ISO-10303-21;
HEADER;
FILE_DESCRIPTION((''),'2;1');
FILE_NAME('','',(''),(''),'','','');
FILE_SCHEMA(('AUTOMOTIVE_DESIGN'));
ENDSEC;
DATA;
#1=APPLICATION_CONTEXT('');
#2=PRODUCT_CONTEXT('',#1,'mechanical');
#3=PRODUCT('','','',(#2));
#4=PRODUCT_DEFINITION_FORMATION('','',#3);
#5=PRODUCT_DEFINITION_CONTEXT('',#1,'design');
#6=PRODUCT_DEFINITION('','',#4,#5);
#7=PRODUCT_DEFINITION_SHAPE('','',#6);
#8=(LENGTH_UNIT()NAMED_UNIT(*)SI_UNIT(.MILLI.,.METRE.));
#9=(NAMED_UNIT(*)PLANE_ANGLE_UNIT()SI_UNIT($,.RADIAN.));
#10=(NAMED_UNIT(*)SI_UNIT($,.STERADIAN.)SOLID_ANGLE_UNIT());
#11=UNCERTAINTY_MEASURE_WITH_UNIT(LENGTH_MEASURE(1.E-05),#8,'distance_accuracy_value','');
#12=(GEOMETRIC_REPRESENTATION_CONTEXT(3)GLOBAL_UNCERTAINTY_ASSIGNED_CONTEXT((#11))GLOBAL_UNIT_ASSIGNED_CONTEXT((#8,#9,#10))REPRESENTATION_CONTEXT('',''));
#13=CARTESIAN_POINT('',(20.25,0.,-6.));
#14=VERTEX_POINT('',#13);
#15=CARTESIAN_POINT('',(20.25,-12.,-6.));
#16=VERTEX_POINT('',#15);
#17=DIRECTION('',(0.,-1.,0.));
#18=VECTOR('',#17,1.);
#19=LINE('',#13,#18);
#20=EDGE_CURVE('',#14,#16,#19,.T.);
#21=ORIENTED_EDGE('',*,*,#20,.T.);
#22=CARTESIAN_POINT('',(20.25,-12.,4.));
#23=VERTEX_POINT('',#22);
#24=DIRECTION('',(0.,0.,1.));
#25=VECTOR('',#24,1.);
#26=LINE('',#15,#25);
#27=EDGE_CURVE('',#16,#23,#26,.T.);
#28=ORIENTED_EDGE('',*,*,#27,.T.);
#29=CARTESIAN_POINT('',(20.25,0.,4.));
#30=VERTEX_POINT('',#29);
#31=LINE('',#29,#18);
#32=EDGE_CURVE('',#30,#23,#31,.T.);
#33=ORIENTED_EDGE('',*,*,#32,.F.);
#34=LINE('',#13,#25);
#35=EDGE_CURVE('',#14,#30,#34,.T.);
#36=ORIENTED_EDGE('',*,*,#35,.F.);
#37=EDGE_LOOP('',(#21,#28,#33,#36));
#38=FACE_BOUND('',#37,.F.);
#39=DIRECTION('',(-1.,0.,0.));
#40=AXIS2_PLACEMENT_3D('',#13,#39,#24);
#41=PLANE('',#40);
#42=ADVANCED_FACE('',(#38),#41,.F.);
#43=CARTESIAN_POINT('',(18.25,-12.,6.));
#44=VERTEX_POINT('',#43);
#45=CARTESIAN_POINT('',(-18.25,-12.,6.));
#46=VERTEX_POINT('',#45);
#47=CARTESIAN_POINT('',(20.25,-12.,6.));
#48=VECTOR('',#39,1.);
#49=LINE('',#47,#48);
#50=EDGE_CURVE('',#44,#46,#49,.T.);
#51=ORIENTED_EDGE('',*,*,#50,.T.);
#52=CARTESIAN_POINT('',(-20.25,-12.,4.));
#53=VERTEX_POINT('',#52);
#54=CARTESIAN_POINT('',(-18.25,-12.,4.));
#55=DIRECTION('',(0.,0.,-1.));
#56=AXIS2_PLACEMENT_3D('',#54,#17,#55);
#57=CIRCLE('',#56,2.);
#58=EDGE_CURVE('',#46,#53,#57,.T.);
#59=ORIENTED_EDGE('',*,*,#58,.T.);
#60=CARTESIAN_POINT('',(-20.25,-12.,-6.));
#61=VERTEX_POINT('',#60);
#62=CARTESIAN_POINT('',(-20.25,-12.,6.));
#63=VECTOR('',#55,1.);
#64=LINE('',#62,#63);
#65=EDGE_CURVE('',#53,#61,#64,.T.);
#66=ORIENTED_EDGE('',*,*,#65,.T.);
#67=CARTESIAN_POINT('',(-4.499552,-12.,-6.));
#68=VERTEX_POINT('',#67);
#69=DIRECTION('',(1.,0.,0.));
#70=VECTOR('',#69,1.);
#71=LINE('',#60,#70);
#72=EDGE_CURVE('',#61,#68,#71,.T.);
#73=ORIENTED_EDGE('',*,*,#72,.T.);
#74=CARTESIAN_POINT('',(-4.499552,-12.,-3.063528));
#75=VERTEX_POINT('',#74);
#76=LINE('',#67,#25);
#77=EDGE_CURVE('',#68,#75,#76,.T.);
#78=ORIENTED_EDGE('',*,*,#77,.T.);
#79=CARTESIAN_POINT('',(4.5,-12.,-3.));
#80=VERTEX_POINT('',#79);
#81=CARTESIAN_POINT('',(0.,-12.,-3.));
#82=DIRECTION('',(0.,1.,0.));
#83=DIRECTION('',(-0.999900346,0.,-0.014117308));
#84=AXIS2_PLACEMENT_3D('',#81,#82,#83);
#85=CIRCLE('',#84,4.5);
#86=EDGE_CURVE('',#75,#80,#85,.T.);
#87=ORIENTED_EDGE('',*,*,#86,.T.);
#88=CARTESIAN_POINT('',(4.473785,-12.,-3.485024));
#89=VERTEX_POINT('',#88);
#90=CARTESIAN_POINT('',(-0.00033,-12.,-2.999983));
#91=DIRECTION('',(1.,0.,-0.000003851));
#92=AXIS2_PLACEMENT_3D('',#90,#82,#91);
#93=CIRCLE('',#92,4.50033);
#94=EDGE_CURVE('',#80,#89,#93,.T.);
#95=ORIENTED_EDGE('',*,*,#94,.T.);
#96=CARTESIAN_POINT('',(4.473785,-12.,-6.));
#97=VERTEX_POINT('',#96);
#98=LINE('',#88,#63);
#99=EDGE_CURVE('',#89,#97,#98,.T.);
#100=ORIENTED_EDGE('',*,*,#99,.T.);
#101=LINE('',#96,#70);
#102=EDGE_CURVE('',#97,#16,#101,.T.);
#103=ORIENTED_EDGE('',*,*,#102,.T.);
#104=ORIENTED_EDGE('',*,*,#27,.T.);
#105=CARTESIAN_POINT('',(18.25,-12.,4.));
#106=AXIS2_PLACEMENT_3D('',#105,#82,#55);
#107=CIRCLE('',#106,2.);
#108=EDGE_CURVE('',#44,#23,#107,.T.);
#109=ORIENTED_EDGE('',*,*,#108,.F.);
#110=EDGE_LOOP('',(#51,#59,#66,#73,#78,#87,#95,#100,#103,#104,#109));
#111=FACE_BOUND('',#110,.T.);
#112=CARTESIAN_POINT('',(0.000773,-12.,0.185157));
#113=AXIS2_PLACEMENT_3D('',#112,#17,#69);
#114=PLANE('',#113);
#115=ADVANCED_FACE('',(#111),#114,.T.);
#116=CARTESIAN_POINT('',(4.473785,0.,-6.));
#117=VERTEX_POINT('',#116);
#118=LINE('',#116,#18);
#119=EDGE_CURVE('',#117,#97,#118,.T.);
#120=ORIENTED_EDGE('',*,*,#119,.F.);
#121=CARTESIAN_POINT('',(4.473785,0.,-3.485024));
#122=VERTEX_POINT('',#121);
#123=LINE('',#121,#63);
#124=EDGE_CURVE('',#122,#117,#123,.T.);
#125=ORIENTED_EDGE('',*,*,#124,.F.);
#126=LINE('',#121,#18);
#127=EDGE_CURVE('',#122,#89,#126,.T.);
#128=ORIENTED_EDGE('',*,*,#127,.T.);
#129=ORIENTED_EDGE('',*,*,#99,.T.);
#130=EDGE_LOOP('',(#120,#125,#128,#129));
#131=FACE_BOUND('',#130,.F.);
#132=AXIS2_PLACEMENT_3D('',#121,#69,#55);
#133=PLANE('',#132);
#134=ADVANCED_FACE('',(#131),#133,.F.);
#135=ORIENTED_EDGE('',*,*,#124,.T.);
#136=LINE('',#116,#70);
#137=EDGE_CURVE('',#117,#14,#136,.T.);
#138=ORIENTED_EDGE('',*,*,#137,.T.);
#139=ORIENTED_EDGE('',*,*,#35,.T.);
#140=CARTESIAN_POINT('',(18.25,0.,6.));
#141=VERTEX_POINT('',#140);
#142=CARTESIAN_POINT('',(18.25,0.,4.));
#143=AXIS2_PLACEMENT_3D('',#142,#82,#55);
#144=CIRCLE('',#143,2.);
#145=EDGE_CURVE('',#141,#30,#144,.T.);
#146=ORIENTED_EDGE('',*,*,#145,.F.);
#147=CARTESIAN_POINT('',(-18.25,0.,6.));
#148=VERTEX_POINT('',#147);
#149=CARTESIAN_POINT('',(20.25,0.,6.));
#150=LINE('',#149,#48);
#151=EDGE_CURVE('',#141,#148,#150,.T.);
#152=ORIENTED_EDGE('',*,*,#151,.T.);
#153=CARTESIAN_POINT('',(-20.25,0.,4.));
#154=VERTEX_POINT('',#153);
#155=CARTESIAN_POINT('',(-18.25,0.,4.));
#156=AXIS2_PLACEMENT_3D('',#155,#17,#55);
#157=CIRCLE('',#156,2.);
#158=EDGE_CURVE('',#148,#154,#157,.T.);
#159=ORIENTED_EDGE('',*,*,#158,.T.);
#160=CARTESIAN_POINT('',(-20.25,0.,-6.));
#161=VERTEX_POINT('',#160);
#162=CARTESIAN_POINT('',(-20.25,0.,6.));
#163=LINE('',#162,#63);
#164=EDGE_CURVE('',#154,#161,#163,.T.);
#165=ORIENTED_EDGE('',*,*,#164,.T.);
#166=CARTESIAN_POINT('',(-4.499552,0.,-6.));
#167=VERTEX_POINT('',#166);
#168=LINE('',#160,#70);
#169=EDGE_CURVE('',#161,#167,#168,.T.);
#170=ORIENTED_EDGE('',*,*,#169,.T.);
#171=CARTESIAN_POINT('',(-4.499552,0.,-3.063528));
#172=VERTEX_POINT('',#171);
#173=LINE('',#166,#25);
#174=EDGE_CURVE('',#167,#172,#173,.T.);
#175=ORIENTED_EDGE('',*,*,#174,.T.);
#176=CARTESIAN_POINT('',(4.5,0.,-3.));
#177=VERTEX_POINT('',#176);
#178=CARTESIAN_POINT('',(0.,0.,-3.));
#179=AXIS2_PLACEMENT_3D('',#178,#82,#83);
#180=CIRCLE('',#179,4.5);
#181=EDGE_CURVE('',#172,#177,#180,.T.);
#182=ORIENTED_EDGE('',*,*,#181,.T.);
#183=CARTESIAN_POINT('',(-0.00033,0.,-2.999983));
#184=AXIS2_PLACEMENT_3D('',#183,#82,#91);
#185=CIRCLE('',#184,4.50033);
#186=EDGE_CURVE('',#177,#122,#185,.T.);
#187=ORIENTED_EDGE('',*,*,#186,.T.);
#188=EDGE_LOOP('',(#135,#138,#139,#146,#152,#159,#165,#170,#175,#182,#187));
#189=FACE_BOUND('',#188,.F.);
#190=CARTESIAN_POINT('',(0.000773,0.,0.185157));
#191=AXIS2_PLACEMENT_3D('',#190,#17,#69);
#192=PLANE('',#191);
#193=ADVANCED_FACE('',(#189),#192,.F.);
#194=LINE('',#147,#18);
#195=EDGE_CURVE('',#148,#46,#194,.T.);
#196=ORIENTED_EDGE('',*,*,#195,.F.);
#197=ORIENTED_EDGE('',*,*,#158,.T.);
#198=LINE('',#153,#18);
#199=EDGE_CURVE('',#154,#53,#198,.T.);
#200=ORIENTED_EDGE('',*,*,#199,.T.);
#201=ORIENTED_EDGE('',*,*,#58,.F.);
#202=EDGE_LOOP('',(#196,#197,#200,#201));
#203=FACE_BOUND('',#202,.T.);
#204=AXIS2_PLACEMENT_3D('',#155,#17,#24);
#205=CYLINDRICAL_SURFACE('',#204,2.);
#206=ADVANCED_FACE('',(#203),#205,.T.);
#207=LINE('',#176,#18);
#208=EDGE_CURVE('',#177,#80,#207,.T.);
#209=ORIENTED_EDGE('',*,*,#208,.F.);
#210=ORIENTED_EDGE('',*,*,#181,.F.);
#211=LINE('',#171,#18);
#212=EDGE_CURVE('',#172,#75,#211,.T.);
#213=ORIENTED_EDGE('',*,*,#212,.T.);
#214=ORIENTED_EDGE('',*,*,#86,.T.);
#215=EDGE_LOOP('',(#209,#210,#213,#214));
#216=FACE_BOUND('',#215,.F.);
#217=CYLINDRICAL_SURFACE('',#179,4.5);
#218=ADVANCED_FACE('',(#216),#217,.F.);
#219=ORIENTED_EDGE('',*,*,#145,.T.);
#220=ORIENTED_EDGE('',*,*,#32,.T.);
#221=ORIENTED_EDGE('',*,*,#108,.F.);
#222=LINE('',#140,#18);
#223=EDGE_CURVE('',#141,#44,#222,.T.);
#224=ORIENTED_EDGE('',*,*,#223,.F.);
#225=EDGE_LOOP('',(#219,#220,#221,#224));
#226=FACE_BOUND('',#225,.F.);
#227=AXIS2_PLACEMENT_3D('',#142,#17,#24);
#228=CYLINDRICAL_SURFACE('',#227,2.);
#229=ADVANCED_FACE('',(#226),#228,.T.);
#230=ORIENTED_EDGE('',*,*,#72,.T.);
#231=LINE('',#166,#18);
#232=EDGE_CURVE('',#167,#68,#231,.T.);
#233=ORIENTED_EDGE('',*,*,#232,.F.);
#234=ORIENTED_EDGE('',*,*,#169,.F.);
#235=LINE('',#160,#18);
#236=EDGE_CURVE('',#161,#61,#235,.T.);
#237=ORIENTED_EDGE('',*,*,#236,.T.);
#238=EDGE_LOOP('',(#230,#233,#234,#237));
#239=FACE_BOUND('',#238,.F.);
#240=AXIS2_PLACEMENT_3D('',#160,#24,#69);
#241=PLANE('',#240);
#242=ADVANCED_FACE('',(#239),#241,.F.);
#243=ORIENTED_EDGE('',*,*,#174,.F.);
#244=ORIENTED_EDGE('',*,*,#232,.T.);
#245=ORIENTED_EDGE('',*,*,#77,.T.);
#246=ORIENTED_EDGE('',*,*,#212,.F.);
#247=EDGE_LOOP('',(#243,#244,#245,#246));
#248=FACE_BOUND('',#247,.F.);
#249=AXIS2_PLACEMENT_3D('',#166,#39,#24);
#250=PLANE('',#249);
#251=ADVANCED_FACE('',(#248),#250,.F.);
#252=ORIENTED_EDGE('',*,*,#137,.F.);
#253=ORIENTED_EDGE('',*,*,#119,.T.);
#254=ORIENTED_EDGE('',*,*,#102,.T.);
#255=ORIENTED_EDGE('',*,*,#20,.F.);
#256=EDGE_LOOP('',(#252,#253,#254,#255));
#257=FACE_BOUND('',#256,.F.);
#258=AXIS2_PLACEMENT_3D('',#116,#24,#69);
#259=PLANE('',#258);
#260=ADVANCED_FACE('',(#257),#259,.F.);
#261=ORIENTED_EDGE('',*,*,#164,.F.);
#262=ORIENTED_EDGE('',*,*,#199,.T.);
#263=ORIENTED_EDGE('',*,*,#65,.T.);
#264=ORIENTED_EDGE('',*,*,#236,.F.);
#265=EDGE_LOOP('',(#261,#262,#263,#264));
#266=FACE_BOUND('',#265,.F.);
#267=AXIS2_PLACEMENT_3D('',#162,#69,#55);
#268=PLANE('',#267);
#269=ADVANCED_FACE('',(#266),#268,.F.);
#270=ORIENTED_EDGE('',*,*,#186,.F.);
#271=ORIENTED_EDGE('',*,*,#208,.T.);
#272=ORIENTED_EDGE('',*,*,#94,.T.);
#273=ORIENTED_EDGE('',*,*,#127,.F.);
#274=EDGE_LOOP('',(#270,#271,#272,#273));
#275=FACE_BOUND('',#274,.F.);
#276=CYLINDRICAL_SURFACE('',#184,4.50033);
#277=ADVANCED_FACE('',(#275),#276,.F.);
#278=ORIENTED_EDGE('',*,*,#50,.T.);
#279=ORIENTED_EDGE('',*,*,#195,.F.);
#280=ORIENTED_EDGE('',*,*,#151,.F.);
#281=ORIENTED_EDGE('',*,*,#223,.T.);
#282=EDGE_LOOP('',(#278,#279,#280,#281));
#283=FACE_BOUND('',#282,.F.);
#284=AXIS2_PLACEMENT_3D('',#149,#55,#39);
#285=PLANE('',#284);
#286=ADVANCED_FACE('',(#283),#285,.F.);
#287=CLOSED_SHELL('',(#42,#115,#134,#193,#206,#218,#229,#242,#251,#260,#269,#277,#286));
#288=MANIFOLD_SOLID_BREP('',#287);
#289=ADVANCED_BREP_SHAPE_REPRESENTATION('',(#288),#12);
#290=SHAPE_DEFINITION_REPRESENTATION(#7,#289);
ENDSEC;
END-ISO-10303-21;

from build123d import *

# Parameters (mm, degrees)
F1_DEPTH = 12
F2_R     = 2


with BuildPart() as f1:
    # F0 (on Front) → F1 (new body)
    with BuildSketch(Plane.XZ):
        with BuildLine():
            Line((20.25, 6), (-20.25, 6))
            Line((-20.25, 6), (-20.25, -6))
            Line((-20.25, -6), (-4.499552, -6))
            Line((-4.499552, -6), (-4.499552, -3.063528))
            ThreePointArc((-4.499552, -3.063528), (-0.031765, 1.499888), (4.5, -3))
            ThreePointArc((4.5, -3), (4.493441, -3.242866), (4.473785, -3.485024))
            Line((4.473785, -3.485024), (4.473785, -6))
            Line((4.473785, -6), (20.25, -6))
            Line((20.25, -6), (20.25, 6))
        make_face()
    extrude(amount=F1_DEPTH)

    # F2
    f2_edges = [f1.edges().sort_by_distance(p)[0] for p in [
        (20.25, -6, 6),
        (-20.25, -6, 6),
    ]]
    fillet(f2_edges, radius=F2_R)


solid = f1.part
